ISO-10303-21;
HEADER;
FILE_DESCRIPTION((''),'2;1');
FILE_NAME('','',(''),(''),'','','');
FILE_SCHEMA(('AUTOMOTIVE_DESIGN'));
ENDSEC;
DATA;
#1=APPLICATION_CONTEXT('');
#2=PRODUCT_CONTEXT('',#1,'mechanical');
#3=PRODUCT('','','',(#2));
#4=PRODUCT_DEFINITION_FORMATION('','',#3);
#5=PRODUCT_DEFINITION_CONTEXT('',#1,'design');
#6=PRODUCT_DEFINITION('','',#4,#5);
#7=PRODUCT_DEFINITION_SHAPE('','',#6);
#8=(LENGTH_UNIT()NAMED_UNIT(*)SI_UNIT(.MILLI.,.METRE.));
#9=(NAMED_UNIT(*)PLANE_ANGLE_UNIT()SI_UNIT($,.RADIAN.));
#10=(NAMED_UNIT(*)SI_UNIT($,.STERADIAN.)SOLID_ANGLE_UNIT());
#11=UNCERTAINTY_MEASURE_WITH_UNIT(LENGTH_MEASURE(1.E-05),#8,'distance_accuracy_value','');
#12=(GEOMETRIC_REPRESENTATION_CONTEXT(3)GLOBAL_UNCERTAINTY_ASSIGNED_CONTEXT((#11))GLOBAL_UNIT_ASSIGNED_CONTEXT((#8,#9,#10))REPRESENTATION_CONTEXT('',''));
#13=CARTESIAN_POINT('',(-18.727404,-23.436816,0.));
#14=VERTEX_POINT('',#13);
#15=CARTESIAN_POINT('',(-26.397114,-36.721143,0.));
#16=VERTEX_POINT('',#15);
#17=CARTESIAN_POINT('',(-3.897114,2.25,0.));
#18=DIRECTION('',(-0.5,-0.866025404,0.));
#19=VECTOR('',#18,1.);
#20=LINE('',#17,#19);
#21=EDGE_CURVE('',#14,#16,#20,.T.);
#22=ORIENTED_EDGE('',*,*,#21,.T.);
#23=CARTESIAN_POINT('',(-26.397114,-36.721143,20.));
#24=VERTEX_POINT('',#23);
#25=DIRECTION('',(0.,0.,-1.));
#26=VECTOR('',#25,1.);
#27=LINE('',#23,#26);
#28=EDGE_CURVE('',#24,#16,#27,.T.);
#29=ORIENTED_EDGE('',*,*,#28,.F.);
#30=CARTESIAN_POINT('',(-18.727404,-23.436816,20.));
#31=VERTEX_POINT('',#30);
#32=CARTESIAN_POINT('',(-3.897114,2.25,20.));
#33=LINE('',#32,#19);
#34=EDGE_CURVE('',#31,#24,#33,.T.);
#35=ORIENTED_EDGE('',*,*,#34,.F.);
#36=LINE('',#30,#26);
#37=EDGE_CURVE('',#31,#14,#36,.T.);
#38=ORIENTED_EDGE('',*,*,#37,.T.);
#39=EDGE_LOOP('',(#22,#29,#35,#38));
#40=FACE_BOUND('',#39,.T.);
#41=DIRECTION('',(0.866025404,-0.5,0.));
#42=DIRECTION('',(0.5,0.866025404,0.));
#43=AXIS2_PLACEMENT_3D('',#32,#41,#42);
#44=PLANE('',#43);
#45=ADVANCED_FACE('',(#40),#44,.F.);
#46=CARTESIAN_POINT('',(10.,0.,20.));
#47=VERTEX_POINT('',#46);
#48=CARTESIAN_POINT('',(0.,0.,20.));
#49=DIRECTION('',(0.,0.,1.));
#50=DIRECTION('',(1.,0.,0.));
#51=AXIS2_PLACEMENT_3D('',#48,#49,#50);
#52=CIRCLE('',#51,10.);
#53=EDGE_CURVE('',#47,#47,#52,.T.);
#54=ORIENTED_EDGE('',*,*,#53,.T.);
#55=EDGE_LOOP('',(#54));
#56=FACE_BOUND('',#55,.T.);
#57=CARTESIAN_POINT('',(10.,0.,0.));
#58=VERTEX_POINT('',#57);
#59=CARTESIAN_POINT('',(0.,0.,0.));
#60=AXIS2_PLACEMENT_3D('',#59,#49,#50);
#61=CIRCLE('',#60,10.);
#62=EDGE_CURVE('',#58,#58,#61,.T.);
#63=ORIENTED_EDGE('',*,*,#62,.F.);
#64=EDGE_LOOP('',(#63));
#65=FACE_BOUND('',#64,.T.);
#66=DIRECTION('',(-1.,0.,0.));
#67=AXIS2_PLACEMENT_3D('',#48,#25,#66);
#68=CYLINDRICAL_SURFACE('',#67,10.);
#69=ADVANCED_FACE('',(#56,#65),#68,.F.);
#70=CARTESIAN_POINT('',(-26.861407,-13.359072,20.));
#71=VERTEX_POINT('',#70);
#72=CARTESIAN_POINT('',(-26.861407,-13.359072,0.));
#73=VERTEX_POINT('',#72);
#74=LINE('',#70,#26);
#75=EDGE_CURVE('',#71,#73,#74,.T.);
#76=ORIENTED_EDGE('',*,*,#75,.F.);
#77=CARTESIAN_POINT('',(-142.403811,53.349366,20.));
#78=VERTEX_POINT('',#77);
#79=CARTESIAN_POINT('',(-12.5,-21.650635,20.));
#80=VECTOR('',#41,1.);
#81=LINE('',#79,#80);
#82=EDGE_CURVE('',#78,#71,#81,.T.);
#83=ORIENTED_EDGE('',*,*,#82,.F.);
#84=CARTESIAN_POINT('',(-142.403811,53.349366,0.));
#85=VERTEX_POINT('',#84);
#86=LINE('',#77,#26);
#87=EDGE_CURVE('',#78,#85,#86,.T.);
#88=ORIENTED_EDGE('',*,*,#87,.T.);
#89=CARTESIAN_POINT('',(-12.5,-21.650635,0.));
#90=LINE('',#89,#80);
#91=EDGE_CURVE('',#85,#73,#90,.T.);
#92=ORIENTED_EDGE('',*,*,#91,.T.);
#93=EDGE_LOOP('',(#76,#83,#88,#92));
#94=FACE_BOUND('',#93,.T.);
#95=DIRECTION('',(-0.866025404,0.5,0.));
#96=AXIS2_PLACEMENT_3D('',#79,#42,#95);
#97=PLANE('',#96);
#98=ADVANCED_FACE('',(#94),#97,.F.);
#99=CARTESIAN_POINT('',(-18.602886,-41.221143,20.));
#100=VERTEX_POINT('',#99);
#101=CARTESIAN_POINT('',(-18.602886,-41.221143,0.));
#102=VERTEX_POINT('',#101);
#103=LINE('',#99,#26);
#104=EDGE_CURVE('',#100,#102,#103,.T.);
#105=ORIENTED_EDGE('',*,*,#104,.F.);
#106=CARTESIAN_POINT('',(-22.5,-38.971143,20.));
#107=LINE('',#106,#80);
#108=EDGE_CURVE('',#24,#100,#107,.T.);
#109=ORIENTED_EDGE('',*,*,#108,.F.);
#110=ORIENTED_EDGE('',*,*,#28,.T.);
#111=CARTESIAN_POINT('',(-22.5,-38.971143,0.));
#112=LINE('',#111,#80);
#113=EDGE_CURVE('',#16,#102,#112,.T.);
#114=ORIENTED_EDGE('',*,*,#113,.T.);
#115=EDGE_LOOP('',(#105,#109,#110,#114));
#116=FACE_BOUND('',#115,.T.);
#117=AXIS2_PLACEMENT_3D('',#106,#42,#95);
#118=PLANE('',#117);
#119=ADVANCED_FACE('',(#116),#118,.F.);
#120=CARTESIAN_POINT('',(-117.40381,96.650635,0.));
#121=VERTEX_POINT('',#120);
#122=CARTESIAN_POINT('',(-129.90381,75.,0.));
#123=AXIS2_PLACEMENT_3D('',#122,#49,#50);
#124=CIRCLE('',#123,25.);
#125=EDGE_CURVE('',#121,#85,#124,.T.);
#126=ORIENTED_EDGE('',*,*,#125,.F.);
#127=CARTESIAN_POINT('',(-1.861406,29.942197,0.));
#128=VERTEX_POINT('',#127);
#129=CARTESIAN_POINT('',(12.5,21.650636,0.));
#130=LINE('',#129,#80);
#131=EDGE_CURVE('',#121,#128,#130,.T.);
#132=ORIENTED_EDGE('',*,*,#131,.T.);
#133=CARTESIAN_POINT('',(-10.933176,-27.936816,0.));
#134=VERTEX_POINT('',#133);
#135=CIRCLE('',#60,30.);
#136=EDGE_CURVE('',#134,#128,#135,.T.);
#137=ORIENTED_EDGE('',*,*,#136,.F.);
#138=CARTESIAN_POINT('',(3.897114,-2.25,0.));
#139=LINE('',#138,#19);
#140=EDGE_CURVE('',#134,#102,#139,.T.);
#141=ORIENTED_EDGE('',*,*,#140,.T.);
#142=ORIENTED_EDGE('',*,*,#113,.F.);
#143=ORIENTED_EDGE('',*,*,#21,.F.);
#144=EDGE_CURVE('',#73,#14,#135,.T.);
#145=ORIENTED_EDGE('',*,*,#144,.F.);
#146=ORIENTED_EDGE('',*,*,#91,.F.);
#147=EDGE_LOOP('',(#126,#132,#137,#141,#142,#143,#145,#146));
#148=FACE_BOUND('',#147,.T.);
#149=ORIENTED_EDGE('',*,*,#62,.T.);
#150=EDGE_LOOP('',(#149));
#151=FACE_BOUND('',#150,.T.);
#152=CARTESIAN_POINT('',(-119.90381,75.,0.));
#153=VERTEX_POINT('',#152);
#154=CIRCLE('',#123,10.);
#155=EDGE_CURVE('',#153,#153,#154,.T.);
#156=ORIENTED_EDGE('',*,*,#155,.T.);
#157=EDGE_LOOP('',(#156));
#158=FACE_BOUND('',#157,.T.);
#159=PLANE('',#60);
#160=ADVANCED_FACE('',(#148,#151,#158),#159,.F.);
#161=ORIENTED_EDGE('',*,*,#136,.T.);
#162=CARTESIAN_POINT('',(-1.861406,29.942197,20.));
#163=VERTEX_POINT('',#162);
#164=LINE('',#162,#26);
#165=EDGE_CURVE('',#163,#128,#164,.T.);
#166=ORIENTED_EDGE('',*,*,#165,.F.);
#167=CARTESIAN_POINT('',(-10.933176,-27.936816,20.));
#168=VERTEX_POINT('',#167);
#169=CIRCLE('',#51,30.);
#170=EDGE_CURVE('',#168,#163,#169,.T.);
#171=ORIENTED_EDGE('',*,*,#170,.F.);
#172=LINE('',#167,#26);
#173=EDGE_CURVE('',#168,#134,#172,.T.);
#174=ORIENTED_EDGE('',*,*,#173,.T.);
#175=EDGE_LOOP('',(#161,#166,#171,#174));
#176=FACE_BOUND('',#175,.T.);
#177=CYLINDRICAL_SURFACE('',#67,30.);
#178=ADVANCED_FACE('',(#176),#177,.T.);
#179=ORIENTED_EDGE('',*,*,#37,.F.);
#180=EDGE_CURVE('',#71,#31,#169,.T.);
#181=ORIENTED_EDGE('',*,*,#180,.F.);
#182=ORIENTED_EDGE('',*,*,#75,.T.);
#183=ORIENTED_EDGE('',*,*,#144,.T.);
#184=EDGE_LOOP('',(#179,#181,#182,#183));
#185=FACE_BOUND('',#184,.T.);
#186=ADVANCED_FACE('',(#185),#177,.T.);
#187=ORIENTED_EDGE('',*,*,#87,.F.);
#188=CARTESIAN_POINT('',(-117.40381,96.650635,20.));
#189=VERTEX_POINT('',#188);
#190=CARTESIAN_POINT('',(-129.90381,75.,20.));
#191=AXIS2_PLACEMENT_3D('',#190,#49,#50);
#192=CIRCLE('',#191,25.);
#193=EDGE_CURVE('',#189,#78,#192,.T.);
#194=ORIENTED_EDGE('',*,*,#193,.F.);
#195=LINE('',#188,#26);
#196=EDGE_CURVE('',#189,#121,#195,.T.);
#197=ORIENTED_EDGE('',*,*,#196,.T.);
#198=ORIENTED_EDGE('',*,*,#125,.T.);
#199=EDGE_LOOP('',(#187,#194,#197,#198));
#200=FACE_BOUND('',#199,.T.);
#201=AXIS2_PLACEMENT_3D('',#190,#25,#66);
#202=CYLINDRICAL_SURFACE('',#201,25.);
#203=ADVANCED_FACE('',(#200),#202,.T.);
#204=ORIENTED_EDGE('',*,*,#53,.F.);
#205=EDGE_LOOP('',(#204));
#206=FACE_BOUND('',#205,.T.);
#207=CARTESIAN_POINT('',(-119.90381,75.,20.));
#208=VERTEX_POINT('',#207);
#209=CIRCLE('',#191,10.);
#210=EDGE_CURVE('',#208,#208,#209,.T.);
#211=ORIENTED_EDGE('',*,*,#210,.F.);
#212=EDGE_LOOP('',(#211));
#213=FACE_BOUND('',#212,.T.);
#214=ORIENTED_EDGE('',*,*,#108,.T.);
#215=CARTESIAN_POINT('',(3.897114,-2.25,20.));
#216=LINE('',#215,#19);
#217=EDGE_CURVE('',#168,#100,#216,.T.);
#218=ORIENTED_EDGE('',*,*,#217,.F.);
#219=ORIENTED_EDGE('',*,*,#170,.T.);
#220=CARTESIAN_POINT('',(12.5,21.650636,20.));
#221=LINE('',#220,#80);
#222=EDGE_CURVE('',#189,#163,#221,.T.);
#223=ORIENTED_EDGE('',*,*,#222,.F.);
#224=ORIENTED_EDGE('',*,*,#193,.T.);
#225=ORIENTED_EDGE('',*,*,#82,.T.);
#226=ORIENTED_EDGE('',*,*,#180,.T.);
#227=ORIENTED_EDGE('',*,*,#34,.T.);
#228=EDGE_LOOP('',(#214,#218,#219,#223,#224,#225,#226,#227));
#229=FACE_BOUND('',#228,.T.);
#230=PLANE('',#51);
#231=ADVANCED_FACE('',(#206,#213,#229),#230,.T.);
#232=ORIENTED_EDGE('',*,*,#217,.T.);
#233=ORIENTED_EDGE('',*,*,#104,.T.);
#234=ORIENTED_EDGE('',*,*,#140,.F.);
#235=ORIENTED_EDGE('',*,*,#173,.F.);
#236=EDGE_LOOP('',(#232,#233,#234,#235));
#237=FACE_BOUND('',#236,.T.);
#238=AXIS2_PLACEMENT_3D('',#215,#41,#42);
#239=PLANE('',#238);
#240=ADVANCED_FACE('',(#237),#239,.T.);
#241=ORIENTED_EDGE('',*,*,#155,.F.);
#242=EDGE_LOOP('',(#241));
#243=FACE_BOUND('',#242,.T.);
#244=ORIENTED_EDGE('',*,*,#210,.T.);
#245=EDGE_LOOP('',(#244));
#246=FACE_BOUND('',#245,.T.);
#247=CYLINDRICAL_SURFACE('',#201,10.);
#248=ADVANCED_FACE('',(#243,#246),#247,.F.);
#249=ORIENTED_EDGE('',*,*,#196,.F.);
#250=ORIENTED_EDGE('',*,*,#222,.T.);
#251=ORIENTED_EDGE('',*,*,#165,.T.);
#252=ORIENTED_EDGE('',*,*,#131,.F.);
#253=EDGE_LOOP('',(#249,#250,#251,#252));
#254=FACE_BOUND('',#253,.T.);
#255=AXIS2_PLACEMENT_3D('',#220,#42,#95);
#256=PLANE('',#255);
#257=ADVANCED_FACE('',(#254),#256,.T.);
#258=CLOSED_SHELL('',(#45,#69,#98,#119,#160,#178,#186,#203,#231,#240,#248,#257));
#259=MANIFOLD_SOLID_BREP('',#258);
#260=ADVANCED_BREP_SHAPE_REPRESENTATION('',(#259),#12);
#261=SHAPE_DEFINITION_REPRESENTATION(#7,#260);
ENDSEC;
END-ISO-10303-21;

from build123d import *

# Parameters (mm, degrees)
ESQUISSE1_R        = 10
BOSS_EXTRU_1_DEPTH = 20


with BuildPart() as part:
    # Esquisse1 → Boss.-Extru.1 (new body)
    with BuildSketch(Plane.XY):
        with BuildLine():
            Line((-1.861405692, 29.942197128), (-117.403809643, 96.650635152))
            ThreePointArc((-117.403809643, 96.650635152), (-151.55444502, 87.500001112), (-142.40381098, 53.349365735))
            Line((-142.40381098, 53.349365735), (-26.861407029, -13.359072289))
            ThreePointArc((-26.861407029, -13.359072289), (-23.344702971, -18.842102939), (-18.727404267, -23.436815684))
            Line((-18.727404267, -23.436815684), (-26.397114317, -36.72114317))
            Line((-26.397114317, -36.72114317), (-18.602885683, -41.22114317))
            Line((-18.602885683, -41.22114317), (-10.933175633, -27.936815684))
            ThreePointArc((-10.933175633, -27.936815684), (29.638157143, -4.645389236), (-1.861405692, 29.942197128))
        make_face()
        with Locations((-129.903810312, 75.000000443)):
            Circle(ESQUISSE1_R, mode=Mode.SUBTRACT)
        Circle(ESQUISSE1_R, mode=Mode.SUBTRACT)
    extrude(amount=BOSS_EXTRU_1_DEPTH)


solid = part.part
